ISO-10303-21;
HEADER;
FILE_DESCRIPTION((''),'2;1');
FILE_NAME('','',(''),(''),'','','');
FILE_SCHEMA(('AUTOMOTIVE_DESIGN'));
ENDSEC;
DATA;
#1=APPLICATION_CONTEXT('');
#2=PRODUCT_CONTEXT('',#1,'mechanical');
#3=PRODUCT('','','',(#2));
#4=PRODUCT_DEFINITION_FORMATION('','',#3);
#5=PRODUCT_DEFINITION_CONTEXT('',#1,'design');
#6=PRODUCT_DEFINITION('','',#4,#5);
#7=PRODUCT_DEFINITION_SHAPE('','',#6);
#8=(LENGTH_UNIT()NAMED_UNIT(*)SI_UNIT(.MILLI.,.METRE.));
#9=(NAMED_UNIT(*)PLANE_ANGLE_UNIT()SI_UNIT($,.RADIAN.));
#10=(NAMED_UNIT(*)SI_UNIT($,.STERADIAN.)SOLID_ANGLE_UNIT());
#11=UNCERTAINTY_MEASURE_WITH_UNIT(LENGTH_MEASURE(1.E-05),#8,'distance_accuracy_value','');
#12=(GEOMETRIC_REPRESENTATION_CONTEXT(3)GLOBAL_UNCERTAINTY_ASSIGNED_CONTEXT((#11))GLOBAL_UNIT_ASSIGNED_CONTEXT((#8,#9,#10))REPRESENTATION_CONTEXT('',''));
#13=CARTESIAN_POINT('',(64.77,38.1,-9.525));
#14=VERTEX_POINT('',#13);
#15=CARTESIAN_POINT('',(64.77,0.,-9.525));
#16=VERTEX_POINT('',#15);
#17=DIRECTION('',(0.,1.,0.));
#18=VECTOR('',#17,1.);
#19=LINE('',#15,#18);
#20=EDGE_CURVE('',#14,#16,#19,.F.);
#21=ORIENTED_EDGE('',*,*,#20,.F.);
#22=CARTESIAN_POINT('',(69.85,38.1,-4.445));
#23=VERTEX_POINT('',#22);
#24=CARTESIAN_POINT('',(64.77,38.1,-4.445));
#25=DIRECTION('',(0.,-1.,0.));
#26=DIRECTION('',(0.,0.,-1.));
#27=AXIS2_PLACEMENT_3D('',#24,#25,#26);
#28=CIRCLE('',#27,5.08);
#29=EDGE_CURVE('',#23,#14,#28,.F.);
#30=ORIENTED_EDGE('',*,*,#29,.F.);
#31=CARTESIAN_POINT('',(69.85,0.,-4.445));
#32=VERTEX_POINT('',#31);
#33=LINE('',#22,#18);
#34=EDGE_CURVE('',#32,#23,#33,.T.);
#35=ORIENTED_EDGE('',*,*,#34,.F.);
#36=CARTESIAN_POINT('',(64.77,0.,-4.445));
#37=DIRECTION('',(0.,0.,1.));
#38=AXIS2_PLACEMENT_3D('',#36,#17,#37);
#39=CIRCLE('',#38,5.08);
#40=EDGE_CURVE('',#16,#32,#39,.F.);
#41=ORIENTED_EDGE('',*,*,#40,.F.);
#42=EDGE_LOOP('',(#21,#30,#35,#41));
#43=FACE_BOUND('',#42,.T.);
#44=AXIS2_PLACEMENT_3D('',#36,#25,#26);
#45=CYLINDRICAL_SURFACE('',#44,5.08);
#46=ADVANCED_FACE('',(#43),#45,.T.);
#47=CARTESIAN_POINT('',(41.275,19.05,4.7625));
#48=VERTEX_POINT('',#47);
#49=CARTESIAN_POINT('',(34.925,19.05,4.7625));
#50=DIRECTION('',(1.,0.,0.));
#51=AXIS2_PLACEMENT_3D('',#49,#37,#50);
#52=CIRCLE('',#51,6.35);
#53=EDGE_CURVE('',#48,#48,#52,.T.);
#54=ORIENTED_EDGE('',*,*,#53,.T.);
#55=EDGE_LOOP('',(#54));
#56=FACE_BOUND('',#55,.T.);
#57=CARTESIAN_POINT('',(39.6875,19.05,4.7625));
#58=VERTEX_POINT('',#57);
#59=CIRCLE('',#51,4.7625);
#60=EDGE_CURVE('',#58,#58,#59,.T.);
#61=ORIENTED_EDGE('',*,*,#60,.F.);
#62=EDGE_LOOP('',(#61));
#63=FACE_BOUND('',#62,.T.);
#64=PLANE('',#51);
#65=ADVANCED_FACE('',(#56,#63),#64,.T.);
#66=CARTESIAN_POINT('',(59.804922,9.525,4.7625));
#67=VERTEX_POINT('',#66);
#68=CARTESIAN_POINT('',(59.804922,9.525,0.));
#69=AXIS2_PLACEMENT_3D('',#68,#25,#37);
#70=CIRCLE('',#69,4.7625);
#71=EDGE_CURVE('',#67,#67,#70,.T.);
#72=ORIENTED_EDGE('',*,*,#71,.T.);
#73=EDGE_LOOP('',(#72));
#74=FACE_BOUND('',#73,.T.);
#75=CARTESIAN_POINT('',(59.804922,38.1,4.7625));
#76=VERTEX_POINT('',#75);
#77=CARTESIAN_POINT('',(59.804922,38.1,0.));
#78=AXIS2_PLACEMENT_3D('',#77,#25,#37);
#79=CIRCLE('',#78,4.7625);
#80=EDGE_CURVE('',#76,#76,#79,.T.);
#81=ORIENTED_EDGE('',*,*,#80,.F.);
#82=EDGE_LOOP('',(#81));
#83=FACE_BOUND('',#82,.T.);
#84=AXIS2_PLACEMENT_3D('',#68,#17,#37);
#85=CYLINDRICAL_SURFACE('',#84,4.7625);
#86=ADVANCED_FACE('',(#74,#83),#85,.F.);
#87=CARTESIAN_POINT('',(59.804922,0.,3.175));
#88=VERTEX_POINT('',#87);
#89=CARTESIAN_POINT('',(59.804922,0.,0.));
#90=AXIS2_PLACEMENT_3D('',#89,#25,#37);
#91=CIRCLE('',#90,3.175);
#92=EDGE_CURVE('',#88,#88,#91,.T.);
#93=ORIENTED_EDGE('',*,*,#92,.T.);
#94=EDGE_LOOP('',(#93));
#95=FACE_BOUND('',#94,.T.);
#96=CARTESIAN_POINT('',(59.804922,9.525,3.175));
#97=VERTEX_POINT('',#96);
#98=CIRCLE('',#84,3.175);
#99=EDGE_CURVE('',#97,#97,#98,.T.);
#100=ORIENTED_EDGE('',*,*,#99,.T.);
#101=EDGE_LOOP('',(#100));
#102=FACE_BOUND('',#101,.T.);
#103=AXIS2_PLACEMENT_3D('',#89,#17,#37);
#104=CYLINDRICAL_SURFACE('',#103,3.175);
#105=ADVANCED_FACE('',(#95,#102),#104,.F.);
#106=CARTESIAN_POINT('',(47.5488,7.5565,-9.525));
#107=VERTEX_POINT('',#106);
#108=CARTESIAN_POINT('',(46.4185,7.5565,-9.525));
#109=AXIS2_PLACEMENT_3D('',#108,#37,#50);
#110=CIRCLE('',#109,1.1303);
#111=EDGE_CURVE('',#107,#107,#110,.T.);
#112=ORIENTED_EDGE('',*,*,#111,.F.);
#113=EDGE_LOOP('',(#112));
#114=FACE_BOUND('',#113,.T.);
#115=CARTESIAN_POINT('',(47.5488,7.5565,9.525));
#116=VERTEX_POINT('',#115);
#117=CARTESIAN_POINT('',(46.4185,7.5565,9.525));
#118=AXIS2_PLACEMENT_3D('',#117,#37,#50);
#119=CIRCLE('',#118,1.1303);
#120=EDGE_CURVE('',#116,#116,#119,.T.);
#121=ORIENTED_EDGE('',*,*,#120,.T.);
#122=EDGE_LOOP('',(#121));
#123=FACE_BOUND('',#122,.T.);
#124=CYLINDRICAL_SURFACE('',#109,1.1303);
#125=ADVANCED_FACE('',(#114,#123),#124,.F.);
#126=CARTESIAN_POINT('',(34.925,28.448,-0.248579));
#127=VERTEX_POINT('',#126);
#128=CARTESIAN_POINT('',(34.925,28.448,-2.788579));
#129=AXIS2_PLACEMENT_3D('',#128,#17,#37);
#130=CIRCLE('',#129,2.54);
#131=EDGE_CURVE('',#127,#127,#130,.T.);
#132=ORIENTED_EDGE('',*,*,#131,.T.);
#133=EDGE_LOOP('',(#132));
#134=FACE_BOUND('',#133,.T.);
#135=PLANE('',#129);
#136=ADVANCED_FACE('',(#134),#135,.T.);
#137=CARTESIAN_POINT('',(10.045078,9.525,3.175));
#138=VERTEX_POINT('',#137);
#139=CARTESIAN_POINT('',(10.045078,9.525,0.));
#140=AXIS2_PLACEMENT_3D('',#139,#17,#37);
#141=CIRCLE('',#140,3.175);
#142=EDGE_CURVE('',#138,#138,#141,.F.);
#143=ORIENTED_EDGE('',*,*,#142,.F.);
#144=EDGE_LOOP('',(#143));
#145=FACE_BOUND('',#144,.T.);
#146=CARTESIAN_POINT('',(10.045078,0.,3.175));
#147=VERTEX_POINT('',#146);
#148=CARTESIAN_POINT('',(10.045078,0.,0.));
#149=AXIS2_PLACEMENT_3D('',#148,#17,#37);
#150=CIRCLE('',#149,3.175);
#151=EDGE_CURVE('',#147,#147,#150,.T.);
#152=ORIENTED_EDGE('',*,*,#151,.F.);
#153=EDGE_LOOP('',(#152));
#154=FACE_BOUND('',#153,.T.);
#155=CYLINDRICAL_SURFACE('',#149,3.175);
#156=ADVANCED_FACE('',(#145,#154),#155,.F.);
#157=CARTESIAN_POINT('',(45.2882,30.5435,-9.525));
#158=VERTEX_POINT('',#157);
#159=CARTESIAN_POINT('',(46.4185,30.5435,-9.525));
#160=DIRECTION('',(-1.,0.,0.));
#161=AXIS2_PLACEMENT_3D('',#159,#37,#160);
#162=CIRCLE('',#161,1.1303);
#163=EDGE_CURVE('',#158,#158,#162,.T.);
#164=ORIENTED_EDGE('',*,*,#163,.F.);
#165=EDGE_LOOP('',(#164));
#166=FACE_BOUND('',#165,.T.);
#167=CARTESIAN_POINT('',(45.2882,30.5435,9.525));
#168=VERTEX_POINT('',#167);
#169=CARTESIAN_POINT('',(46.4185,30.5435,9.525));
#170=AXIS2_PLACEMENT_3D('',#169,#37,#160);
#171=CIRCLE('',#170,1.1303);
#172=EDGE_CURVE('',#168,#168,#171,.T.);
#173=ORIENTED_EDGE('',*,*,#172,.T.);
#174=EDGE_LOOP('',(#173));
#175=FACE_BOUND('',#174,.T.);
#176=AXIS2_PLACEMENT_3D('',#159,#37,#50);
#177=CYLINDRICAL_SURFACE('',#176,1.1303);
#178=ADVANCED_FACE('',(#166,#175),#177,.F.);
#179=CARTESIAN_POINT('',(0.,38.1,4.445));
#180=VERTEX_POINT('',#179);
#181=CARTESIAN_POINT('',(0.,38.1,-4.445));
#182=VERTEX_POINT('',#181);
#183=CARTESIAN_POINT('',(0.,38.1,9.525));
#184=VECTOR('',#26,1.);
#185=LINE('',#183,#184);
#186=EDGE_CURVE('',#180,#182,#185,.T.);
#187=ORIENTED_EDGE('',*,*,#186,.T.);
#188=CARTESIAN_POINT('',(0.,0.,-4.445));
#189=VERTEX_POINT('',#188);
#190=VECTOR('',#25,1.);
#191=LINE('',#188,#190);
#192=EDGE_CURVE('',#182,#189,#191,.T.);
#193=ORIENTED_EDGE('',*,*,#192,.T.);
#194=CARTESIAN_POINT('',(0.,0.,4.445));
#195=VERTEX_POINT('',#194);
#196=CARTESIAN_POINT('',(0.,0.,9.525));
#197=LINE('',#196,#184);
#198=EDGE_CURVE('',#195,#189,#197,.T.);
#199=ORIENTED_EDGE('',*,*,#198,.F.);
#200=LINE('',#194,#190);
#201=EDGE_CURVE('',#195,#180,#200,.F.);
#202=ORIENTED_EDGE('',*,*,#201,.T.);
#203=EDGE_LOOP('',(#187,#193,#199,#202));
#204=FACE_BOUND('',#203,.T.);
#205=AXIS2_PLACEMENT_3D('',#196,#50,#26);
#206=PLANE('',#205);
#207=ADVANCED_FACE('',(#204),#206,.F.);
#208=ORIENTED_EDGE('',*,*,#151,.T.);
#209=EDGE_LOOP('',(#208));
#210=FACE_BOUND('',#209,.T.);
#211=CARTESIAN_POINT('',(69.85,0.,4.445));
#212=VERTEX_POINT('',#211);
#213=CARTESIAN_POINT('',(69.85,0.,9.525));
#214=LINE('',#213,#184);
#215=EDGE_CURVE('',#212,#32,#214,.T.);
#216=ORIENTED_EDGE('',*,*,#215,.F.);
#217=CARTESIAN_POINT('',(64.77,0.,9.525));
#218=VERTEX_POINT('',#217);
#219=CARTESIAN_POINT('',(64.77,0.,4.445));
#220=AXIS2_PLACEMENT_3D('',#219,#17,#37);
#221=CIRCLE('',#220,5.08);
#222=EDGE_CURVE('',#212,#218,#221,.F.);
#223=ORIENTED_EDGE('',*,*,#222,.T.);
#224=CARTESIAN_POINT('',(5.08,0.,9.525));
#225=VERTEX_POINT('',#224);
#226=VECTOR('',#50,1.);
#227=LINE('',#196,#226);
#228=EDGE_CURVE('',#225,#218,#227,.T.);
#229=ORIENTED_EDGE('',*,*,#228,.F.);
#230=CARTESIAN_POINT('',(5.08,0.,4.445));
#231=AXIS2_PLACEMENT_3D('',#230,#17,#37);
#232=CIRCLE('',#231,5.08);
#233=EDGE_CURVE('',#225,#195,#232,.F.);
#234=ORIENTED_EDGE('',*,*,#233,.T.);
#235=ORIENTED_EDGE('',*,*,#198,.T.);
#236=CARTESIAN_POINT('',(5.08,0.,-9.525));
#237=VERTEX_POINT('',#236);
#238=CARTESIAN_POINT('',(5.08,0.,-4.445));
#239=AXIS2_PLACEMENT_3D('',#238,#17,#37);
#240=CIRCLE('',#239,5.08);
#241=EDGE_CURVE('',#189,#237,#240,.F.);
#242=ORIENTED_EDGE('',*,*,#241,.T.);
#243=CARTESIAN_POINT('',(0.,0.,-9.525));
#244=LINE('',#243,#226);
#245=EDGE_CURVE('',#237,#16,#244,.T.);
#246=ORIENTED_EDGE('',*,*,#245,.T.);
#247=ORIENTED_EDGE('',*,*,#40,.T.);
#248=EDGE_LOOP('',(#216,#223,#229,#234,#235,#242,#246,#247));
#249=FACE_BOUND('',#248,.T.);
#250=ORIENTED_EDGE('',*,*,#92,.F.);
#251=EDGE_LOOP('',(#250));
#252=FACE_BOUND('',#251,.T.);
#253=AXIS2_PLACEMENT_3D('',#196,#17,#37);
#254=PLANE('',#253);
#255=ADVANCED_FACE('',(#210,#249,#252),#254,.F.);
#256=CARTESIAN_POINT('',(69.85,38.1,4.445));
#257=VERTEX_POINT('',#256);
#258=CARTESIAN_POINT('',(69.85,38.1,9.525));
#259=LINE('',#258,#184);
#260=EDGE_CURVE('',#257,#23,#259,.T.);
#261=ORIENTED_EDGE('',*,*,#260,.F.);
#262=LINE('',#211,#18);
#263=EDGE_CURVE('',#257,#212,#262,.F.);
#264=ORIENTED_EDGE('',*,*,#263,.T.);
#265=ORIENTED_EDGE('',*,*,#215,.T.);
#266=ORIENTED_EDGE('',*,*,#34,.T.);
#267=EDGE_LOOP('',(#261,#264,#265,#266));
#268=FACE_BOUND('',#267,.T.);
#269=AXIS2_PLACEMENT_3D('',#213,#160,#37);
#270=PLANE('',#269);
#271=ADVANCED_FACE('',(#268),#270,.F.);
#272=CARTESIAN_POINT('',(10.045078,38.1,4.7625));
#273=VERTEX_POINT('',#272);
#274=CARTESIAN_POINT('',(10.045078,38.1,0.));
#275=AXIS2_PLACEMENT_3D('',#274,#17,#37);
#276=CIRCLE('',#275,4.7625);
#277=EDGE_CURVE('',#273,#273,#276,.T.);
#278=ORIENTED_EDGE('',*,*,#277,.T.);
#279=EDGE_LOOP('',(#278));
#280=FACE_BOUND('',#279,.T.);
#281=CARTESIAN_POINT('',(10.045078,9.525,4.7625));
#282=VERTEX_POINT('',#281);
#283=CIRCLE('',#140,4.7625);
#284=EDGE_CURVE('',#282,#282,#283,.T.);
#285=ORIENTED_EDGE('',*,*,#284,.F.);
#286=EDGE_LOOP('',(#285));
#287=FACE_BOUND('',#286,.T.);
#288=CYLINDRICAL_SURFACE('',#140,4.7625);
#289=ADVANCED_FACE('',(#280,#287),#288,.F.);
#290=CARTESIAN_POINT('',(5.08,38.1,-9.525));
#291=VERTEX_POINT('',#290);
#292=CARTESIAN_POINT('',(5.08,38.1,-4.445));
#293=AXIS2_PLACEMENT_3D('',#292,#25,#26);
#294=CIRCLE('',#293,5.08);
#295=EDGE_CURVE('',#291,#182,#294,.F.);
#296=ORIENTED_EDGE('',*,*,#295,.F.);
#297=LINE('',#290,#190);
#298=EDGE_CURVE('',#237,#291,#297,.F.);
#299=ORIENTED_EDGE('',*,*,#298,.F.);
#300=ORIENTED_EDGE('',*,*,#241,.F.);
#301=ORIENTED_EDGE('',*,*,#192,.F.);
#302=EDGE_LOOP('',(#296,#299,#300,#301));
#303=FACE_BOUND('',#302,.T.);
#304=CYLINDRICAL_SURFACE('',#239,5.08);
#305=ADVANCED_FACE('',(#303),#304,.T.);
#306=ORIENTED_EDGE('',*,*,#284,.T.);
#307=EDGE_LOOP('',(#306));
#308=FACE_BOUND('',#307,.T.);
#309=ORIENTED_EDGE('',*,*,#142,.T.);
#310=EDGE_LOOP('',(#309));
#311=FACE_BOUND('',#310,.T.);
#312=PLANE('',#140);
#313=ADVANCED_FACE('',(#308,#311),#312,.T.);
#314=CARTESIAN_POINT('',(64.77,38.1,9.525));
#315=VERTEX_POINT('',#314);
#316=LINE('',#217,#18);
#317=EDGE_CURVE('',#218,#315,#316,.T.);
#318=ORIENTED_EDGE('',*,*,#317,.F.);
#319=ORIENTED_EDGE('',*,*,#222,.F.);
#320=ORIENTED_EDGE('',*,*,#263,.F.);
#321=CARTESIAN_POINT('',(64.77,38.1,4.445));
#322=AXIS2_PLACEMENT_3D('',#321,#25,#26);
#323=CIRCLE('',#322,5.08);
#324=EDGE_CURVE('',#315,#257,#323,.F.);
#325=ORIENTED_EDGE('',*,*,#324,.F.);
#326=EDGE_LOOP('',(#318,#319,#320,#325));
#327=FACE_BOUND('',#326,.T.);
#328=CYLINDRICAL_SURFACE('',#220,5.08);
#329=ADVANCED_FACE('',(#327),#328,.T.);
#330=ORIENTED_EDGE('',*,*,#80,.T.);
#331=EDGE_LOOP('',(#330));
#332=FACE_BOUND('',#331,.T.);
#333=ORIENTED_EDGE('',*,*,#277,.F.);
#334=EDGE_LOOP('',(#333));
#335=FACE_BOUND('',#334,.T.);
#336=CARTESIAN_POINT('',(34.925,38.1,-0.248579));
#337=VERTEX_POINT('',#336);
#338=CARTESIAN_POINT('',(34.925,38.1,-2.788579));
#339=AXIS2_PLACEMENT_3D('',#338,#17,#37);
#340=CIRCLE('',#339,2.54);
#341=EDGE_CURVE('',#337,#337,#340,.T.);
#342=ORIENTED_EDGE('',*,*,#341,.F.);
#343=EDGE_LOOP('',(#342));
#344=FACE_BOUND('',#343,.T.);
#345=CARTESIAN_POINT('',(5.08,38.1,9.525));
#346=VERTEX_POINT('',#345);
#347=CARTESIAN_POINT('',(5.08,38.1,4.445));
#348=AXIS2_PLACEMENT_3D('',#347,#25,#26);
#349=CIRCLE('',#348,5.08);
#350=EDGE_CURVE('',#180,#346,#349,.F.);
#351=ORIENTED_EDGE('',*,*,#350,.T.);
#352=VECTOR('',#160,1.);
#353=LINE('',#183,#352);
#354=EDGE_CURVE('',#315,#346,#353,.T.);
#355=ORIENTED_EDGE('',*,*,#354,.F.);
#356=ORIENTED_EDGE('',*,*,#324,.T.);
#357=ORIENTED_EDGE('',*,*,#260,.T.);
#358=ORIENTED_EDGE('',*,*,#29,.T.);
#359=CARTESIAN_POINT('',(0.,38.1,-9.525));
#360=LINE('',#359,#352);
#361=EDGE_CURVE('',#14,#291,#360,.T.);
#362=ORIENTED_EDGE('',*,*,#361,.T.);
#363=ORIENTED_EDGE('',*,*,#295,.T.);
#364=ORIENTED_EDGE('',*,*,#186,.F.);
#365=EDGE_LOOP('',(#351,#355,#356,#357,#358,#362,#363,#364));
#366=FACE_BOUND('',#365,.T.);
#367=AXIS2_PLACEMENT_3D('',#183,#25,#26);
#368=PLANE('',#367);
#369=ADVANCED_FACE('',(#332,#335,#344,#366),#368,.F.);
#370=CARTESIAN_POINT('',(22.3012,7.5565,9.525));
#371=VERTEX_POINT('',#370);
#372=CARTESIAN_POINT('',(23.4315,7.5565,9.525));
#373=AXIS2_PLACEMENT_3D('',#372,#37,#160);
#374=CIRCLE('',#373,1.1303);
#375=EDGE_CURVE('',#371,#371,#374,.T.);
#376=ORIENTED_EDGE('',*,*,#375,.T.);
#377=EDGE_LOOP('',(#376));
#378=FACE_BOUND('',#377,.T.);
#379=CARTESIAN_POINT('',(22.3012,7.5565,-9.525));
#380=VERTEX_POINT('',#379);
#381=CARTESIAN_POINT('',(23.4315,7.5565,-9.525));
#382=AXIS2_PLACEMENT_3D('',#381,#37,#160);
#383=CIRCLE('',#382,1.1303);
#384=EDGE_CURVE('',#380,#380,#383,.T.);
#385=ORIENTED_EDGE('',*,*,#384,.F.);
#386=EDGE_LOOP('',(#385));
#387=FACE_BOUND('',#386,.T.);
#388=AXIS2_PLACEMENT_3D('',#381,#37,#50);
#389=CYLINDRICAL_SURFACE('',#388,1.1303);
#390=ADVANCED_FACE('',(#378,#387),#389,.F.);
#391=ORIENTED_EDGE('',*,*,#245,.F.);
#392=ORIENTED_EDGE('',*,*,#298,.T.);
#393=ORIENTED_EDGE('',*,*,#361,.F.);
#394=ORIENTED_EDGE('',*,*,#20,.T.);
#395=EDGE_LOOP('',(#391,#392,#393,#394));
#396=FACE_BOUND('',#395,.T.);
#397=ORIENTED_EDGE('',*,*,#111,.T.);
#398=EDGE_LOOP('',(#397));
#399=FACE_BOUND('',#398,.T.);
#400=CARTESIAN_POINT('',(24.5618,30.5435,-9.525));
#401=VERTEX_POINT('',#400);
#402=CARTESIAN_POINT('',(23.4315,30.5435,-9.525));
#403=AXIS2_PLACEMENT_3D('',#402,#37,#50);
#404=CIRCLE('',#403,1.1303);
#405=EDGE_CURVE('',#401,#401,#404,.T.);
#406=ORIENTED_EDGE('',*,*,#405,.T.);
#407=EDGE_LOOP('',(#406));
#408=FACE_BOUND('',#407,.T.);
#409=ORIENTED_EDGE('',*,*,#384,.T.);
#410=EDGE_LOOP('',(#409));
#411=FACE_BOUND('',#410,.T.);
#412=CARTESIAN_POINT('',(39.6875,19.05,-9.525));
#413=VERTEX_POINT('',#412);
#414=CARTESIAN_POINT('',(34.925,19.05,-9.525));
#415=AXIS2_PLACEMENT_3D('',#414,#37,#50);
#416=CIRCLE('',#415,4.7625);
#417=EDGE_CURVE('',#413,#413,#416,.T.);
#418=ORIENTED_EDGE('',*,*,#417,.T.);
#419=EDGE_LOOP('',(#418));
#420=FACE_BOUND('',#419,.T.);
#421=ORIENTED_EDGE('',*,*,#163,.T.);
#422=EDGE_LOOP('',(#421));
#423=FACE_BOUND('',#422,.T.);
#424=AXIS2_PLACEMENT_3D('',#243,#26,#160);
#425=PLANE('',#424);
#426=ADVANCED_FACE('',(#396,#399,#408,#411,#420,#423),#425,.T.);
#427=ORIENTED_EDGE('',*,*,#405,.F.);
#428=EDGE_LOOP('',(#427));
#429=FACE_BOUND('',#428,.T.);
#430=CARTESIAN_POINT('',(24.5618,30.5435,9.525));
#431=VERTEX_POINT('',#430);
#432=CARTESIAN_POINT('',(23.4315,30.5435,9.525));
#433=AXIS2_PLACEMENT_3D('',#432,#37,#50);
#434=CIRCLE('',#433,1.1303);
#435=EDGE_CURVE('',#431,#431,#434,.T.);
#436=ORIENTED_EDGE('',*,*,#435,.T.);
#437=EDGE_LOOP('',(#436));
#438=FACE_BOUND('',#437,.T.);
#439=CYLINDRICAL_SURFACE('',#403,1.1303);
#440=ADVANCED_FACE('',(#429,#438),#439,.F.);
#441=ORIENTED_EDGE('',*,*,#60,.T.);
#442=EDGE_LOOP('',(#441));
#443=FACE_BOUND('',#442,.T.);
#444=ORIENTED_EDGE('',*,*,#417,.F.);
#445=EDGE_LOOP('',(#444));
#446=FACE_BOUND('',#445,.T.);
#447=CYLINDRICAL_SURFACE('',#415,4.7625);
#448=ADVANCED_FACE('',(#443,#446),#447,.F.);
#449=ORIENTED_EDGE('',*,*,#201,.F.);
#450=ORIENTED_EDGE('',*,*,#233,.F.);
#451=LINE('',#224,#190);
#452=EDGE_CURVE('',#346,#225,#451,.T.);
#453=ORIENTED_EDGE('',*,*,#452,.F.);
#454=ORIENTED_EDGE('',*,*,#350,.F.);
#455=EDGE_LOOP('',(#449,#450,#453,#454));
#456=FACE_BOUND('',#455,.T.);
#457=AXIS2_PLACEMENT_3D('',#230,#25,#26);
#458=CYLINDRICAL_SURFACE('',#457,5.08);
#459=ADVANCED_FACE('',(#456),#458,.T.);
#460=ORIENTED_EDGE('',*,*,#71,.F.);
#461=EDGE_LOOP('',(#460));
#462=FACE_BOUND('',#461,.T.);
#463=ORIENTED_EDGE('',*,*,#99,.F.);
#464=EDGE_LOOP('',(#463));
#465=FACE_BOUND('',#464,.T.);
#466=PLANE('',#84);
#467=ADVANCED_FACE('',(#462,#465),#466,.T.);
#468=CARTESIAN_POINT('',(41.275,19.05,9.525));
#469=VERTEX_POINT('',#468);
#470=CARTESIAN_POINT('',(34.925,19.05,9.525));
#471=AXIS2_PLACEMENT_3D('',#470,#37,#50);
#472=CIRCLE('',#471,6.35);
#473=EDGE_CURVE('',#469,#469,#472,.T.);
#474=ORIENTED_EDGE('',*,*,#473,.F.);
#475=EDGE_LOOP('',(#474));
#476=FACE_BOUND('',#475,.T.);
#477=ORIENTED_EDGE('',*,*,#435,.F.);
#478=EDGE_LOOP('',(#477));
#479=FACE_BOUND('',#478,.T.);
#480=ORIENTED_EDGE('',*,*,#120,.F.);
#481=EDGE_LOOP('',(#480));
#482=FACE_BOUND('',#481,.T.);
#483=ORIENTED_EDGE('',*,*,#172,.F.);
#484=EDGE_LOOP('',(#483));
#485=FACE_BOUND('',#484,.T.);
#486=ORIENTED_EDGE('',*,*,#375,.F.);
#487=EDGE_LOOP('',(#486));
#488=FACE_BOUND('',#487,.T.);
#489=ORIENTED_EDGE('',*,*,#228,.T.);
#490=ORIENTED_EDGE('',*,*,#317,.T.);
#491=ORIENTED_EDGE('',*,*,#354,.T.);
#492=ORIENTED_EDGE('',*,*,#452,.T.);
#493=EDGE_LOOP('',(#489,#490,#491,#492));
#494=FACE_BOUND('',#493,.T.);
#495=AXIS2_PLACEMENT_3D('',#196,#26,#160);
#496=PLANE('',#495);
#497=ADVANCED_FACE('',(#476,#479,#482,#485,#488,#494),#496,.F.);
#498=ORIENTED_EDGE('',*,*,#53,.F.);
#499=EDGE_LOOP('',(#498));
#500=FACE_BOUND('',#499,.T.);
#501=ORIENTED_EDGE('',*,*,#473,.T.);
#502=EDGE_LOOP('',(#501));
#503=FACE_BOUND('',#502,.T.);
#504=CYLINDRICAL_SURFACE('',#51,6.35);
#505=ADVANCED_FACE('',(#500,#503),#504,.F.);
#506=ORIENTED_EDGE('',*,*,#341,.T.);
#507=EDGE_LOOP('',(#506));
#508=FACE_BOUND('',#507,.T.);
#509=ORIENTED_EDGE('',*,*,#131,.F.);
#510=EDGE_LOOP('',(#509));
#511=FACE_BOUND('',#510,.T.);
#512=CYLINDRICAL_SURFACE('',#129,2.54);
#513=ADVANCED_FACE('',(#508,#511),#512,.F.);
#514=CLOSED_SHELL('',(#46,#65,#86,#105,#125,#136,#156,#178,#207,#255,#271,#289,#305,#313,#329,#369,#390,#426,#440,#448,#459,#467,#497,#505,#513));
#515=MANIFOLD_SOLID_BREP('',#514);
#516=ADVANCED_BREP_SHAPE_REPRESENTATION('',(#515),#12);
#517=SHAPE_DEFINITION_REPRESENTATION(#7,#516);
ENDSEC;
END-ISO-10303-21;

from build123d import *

# Parameters (mm, degrees)
SKETCH1_W           = 69.85
SKETCH1_H           = 38.1
BOSS_EXTRUDE1_DEPTH = 9.525
SKETCH2_R           = 6.35
CUT_EXTRUDE1_DEPTH  = 4.7625
SKETCH3_R           = 4.7625
CUT_EXTRUDE2_DEPTH  = 20.05
SKETCH4_R           = 1.1303
CUT_EXTRUDE3_DEPTH  = 20.05
SKETCH6_R           = 3.175
CUT_EXTRUDE4_DEPTH  = 39.1
SKETCH7_R           = 4.7625
CUT_EXTRUDE5_DEPTH  = 28.575
SKETCH8_R           = 2.54
CUT_EXTRUDE6_DEPTH  = 9.652
FILLET1_R           = 5.08


with BuildPart() as part:
    # Sketch1 → Boss-Extrude1 (new body, symmetric)
    with BuildSketch(Plane.XY):
        with Locations((34.925, 19.05)):
            Rectangle(SKETCH1_W, SKETCH1_H)
    extrude(amount=BOSS_EXTRUDE1_DEPTH, both=True)

    # Sketch2 → Cut-Extrude1 (cut)
    with BuildSketch(Plane.XY.offset(9.525)):
        with Locations((34.925, 19.05)):
            Circle(SKETCH2_R)
    extrude(amount=-CUT_EXTRUDE1_DEPTH, mode=Mode.SUBTRACT)

    # Sketch3 → Cut-Extrude2 (cut, through all)
    with BuildSketch(Plane.XY.offset(9.525)):
        with Locations((34.925, 19.05)):
            Circle(SKETCH3_R)
    extrude(amount=-CUT_EXTRUDE2_DEPTH, mode=Mode.SUBTRACT)

    # Sketch4 → Cut-Extrude3 (cut, through all)
    with BuildSketch(Plane.XY.offset(9.525)):
        with Locations((23.4315, 30.5435)):
            Circle(SKETCH4_R)
        with Locations((46.4185, 30.5435)):
            Circle(SKETCH4_R)
        with Locations((46.4185, 7.5565)):
            Circle(SKETCH4_R)
        with Locations((23.4315, 7.5565)):
            Circle(SKETCH4_R)
    extrude(amount=-CUT_EXTRUDE3_DEPTH, mode=Mode.SUBTRACT)

    # Sketch6 → Cut-Extrude4 (cut, through all)
    with BuildSketch(Plane(origin=(0, 38.1, 0), x_dir=(1, 0, 0), z_dir=(0, 1, 0))):
        with Locations((10.045078415, 0)):
            Circle(SKETCH6_R)
    cut_extrude4 = extrude(amount=-CUT_EXTRUDE4_DEPTH, mode=Mode.SUBTRACT)

    # Sketch7 → Cut-Extrude5 (cut)
    with BuildSketch(Plane(origin=(0, 38.1, 0), x_dir=(1, 0, 0), z_dir=(0, 1, 0))):
        with Locations((10.045078415, 0)):
            Circle(SKETCH7_R)
    cut_extrude5 = extrude(amount=-CUT_EXTRUDE5_DEPTH, mode=Mode.SUBTRACT)

    # Mirror1: Cut-Extrude4, Cut-Extrude5 across plane
    add(cut_extrude4.mirror(Plane.ZY.offset(-34.925)), mode=Mode.SUBTRACT)
    add(cut_extrude5.mirror(Plane.ZY.offset(-34.925)), mode=Mode.SUBTRACT)

    # Sketch8 → Cut-Extrude6 (cut)
    with BuildSketch(Plane(origin=(0, 38.1, 0), x_dir=(1, 0, 0), z_dir=(0, 1, 0))):
        with Locations((34.925, 2.788579275)):
            Circle(SKETCH8_R)
    extrude(amount=-CUT_EXTRUDE6_DEPTH, mode=Mode.SUBTRACT)

    # Fillet1
    fillet1_edges = [part.edges().sort_by_distance(p)[0] for p in [
        (69.85, 19.05, 9.525),
        (0, 19.05, 9.525),
        (69.85, 19.05, -9.525),
        (0, 19.05, -9.525),
    ]]
    fillet(fillet1_edges, radius=FILLET1_R)


solid = part.part
